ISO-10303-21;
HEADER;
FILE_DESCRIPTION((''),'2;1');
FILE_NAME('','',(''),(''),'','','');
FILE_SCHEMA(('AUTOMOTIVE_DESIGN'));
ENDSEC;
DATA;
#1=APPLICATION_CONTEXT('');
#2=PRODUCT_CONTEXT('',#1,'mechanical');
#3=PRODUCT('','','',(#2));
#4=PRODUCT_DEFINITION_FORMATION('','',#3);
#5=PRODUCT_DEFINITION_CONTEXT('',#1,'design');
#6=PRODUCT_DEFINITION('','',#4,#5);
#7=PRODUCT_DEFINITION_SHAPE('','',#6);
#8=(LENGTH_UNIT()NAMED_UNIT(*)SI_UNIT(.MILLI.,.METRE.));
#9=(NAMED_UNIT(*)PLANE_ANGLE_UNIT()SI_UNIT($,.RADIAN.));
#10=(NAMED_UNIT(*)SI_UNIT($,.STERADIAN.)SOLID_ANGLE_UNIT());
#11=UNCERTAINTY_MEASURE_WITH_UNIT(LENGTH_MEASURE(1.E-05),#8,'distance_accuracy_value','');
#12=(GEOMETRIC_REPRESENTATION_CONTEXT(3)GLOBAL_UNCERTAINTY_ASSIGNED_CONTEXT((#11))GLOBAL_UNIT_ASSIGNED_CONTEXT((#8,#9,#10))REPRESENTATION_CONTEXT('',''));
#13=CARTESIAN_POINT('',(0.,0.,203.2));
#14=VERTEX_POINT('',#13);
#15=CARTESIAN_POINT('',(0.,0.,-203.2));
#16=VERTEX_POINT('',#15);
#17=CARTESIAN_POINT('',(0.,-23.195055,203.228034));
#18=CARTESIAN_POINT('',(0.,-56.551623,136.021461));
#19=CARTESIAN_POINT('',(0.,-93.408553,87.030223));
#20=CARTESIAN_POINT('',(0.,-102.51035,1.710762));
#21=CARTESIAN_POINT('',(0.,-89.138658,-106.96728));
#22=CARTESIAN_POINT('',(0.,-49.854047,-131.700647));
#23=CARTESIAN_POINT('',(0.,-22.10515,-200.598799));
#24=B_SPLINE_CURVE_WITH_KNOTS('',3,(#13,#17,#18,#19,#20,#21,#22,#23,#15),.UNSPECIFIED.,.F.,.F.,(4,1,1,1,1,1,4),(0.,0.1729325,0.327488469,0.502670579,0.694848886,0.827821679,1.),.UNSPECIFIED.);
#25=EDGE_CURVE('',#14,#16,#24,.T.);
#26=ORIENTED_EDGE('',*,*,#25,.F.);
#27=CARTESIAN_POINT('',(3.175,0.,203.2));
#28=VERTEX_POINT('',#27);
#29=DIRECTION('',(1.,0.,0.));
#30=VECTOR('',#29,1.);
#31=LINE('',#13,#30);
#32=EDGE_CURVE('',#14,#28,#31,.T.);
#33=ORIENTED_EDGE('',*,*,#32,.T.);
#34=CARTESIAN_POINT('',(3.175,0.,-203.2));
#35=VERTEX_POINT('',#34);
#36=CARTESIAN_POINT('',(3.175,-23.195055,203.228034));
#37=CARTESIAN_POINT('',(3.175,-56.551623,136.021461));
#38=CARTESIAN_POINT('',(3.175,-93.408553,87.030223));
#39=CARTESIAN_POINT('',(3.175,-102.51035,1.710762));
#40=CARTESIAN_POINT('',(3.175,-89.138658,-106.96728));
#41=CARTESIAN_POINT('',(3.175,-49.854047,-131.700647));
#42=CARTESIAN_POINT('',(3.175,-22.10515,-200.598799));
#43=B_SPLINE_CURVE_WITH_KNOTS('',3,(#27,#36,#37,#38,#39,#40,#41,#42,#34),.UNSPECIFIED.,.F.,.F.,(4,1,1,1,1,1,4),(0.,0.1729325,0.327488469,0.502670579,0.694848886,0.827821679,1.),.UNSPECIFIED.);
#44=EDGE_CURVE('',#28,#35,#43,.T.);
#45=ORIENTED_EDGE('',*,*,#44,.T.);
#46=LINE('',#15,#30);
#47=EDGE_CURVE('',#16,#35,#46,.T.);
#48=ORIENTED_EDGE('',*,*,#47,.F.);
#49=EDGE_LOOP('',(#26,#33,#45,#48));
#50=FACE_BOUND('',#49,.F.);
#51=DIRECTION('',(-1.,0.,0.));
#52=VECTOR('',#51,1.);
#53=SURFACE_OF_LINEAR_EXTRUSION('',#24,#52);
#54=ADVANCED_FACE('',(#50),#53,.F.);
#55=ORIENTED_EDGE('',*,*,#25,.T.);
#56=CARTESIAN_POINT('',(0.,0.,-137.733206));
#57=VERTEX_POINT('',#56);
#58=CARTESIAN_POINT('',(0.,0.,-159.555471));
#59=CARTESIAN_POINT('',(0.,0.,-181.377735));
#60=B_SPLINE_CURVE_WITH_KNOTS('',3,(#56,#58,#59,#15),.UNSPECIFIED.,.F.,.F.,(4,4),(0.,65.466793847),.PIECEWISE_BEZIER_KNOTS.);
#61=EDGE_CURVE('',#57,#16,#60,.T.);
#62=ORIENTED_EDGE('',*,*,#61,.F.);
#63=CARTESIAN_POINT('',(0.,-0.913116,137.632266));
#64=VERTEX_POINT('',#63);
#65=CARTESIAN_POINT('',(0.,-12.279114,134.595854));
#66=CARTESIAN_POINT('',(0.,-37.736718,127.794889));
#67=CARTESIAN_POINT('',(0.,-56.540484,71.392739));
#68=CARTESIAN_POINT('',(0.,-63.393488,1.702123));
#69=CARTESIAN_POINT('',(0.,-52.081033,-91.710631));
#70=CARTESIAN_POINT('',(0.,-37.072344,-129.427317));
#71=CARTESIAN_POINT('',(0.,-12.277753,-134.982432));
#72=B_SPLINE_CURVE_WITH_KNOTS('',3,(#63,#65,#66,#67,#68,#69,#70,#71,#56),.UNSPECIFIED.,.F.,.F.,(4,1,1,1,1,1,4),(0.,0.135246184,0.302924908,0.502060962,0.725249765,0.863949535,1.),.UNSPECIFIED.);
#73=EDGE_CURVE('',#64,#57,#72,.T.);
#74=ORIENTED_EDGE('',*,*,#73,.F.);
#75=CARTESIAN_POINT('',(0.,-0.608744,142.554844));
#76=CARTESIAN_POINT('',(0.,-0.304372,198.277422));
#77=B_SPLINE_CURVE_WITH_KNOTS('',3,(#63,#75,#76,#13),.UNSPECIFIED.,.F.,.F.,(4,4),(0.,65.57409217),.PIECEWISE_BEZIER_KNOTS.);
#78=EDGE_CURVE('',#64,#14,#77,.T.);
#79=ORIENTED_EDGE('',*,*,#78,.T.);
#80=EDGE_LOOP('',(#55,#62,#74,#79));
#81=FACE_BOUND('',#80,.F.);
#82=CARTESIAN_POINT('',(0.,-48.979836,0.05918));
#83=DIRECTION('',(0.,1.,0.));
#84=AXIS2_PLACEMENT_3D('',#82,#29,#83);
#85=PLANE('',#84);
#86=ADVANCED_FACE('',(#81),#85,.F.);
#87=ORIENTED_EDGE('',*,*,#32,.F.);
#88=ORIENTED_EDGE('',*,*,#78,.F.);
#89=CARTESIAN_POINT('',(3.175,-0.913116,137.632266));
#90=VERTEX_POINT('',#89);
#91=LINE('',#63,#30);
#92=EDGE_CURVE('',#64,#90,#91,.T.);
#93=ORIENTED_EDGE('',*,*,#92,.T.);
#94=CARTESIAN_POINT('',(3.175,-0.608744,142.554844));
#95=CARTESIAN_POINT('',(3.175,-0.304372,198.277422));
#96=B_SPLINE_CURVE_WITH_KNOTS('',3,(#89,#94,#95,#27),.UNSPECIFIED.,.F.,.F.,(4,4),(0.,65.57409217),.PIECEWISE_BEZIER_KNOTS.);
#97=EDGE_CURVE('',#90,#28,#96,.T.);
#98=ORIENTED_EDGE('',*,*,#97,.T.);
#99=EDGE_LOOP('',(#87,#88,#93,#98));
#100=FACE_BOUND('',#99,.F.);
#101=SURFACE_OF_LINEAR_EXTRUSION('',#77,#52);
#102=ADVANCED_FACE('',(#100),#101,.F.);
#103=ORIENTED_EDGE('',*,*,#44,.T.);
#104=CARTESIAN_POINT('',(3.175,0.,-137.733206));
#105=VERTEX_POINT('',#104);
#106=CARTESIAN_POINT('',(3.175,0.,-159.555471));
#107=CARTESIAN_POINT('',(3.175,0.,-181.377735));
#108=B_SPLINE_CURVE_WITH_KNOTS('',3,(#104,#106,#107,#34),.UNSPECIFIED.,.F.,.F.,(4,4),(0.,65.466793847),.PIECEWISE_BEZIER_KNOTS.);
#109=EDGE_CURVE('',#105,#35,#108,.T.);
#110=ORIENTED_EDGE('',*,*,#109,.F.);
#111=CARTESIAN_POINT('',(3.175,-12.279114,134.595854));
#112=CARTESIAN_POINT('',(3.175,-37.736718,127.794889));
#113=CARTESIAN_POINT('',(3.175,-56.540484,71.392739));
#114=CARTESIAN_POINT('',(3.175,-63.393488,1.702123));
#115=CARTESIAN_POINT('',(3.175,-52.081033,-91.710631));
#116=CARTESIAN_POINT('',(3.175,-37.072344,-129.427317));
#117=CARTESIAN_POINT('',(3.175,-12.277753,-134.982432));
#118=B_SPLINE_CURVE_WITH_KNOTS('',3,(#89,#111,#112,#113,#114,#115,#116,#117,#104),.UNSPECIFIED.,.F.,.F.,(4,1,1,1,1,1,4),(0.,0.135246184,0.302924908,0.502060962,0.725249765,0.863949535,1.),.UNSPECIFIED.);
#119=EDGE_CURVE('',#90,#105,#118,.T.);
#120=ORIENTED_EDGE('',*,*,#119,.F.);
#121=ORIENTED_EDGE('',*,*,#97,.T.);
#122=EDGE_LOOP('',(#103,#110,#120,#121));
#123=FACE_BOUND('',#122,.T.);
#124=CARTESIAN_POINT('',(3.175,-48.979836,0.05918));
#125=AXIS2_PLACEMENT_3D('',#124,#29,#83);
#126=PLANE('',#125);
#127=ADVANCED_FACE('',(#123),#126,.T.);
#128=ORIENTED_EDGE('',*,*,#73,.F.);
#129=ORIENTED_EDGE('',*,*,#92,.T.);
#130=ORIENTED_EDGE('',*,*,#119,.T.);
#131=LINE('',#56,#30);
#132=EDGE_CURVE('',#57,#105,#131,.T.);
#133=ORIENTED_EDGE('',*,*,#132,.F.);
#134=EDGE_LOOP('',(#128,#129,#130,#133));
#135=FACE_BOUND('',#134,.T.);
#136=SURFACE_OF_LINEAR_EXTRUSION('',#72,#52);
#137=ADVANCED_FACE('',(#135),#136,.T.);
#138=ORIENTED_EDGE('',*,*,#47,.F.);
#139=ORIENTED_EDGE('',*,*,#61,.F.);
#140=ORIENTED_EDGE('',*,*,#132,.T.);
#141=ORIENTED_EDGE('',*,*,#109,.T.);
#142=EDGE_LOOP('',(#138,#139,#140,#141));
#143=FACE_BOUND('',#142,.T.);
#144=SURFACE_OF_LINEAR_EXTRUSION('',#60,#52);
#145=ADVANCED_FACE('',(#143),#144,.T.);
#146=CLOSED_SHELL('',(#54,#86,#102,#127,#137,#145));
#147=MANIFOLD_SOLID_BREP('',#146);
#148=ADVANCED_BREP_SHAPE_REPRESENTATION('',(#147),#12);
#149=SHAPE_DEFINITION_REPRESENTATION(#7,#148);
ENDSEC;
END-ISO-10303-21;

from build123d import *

# Parameters (mm, degrees)
F1_DEPTH = 3.175


with BuildPart() as f1:
    # F0 (on Right) → F1 (new body)
    with BuildSketch(Plane.YZ):
        with BuildLine():
            add(Edge.make_bspline(
                [(-0.9131160914, 137.632265687), (-0.6087440609, 142.5548437913), (-0.3043720305, 198.2774218957), (0, 203.2)],
                knots=[0, 0, 0, 0, 65.5740921701, 65.5740921701, 65.5740921701, 65.5740921701], degree=3))
            add(Edge.make_bspline(
                [(0, 203.2), (-23.1950548692, 203.2280341285), (-56.551622861, 136.0214613341), (-93.4085531615, 87.0302231178), (-102.5103501528, 1.7107616957), (-89.1386581001, -106.9672800426), (-49.8540469611, -131.7006473783), (-22.1051500943, -200.598799392), (0, -203.2)],
                knots=[0, 0, 0, 0, 0.1729324998, 0.3274884695, 0.5026705789, 0.6948488862, 0.8278216788, 1, 1, 1, 1], degree=3))
            add(Edge.make_bspline(
                [(0, -137.7332061529), (0, -159.5554707686), (0, -181.3777353843), (0, -203.2)],
                knots=[0, 0, 0, 0, 65.4667938471, 65.4667938471, 65.4667938471, 65.4667938471], degree=3))
            add(Edge.make_bspline(
                [(-0.9131160914, 137.632265687), (-12.2791136867, 134.5958543466), (-37.736717649, 127.7948888597), (-56.5404835056, 71.3927392638), (-63.3934883439, 1.7021225659), (-52.0810327757, -91.7106311146), (-37.0723440116, -129.4273173153), (-12.2777532944, -134.9824317749), (0, -137.7332061529)],
                knots=[0, 0, 0, 0, 0.1352461836, 0.3029249083, 0.5020609615, 0.7252497652, 0.8639495349, 1, 1, 1, 1], degree=3))
        make_face()
    extrude(amount=F1_DEPTH)


solid = f1.part
